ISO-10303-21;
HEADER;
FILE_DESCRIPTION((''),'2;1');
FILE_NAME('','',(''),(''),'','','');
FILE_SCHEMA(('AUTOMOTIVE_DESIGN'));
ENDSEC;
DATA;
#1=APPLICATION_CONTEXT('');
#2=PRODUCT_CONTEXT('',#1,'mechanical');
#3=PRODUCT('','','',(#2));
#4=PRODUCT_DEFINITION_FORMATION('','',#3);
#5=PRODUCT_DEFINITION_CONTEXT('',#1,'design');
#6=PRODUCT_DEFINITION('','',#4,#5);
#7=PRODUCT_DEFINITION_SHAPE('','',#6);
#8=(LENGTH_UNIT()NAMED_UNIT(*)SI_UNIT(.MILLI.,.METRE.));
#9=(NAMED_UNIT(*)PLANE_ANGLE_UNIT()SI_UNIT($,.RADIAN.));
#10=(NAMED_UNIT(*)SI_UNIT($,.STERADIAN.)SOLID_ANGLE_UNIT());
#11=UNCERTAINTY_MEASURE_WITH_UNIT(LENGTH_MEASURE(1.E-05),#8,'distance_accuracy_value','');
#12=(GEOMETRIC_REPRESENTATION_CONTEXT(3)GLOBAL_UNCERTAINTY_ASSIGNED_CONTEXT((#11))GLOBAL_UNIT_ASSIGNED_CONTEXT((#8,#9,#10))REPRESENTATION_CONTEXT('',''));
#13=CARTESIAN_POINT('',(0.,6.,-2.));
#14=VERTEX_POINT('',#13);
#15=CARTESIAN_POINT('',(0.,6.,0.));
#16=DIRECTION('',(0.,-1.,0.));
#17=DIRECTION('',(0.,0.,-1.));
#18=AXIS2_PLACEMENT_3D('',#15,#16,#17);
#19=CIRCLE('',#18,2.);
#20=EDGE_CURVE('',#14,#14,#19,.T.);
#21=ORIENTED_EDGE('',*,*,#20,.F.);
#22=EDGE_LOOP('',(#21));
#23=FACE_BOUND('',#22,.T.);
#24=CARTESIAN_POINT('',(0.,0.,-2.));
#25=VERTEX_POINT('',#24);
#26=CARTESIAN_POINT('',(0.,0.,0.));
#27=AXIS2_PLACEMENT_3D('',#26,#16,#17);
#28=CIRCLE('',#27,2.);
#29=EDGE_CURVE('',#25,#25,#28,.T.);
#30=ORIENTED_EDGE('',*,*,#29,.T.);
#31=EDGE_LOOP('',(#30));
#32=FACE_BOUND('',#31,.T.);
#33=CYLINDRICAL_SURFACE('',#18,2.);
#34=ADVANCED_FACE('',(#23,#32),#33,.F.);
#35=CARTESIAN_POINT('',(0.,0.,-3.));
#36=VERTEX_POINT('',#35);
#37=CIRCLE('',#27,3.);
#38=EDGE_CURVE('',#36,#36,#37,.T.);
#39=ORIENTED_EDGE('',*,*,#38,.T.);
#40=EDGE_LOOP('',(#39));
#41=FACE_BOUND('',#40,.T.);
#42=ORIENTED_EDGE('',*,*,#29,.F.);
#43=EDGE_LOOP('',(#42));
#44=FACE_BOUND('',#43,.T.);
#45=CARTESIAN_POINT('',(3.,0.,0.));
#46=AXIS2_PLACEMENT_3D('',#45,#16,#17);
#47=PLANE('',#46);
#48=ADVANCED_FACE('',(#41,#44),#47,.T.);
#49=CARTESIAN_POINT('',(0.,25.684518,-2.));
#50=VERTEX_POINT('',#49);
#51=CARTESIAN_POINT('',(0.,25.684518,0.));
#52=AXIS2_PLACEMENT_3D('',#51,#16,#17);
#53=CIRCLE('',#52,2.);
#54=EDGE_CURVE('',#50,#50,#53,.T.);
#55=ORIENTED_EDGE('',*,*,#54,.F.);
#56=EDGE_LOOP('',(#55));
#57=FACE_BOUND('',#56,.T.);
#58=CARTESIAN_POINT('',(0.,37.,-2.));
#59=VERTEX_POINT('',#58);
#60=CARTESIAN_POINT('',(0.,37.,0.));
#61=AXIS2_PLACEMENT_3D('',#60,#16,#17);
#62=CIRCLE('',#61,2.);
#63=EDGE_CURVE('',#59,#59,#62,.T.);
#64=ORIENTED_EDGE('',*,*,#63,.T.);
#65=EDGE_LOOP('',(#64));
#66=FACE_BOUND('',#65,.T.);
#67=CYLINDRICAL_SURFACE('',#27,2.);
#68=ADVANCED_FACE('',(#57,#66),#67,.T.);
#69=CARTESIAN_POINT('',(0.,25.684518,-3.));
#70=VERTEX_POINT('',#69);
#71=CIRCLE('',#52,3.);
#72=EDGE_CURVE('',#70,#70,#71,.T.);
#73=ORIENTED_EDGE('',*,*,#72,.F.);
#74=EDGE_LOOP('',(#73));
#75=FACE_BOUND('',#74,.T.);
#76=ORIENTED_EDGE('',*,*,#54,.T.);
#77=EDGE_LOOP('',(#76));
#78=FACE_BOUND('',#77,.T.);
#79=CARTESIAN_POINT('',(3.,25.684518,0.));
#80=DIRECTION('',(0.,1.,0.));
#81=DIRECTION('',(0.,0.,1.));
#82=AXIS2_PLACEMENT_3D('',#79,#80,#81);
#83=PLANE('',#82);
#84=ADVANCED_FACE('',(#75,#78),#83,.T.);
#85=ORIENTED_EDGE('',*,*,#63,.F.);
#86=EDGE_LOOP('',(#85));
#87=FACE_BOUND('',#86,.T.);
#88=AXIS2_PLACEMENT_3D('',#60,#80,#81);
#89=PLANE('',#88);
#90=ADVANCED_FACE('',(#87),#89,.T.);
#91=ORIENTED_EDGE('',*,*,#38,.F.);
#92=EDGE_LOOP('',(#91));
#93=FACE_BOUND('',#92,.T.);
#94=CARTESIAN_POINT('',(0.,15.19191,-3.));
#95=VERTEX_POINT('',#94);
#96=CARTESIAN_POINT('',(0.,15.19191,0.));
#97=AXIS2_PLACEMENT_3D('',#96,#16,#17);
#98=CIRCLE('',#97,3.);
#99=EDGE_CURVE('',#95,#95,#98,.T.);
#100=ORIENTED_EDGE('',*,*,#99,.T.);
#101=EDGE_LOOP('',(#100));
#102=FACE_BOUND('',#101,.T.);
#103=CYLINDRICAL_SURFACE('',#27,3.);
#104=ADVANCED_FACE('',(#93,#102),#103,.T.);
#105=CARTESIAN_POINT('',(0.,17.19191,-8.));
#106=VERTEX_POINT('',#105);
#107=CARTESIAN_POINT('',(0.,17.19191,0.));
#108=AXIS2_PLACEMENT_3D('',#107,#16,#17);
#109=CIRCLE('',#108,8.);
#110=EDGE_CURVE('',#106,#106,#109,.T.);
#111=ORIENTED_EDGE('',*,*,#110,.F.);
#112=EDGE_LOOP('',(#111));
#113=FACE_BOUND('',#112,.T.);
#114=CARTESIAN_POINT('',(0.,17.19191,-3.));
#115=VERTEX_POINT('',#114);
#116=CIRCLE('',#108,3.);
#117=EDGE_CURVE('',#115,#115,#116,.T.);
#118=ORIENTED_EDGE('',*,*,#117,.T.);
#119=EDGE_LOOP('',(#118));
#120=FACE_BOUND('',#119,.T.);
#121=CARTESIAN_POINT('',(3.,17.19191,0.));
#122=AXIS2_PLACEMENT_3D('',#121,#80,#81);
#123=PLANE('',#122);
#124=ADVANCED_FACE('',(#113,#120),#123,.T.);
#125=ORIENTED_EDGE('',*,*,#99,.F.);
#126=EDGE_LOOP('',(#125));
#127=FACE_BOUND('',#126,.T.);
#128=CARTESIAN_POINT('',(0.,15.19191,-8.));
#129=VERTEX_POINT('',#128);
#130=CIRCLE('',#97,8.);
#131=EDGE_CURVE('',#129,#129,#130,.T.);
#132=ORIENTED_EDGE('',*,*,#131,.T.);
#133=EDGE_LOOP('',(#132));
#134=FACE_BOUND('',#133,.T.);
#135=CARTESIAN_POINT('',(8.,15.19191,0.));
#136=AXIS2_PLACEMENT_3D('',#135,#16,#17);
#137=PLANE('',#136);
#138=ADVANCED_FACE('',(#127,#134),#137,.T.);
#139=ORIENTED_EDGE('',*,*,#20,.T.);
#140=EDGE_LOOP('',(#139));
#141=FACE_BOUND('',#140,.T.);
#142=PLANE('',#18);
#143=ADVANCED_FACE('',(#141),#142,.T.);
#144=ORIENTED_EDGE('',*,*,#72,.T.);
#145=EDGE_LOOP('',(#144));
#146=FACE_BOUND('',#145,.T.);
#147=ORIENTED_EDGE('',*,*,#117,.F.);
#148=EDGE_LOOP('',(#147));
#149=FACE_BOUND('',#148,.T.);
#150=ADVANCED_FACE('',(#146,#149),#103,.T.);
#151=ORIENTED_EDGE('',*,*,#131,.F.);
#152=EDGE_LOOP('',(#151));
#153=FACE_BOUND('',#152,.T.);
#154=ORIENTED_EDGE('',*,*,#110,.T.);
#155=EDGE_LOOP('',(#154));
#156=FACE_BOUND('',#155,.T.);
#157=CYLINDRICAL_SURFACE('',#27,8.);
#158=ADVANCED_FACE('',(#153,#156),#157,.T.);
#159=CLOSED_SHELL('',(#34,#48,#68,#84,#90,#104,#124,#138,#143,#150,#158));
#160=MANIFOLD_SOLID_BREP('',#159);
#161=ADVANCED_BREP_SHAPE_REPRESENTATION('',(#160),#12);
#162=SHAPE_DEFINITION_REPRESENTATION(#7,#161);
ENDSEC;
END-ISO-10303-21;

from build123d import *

# Parameters (mm, degrees)
SKETCH2_R          = 2
CUT_EXTRUDE1_DEPTH = 6


with BuildPart() as part:
    # Sketch1 → Revolve1 (revolve)
    with BuildSketch(Plane.XY, mode=Mode.PRIVATE) as revolve1_sk:
        Polygon((0, 0), (0, 37), (2, 37), (2, 25.684518386), (3, 25.684518386), (3, 17.191909634), (8, 17.191909634), (8, 15.191909634), (3, 15.191909634), (3, 0), align=None)
    revolve(revolve1_sk.sketch.rotate(Axis((0, 0, 0), (0, 1, 0)), 90), axis=Axis((0, 0, 0), (0, 1, 0)))

    # Sketch2 → Cut-Extrude1 (cut)
    with BuildSketch(Plane.XZ):
        with Locations(Location((0, 0, 0), (0, 0, 270))):
            Circle(SKETCH2_R)
    extrude(amount=-CUT_EXTRUDE1_DEPTH, mode=Mode.SUBTRACT)


solid = part.part
